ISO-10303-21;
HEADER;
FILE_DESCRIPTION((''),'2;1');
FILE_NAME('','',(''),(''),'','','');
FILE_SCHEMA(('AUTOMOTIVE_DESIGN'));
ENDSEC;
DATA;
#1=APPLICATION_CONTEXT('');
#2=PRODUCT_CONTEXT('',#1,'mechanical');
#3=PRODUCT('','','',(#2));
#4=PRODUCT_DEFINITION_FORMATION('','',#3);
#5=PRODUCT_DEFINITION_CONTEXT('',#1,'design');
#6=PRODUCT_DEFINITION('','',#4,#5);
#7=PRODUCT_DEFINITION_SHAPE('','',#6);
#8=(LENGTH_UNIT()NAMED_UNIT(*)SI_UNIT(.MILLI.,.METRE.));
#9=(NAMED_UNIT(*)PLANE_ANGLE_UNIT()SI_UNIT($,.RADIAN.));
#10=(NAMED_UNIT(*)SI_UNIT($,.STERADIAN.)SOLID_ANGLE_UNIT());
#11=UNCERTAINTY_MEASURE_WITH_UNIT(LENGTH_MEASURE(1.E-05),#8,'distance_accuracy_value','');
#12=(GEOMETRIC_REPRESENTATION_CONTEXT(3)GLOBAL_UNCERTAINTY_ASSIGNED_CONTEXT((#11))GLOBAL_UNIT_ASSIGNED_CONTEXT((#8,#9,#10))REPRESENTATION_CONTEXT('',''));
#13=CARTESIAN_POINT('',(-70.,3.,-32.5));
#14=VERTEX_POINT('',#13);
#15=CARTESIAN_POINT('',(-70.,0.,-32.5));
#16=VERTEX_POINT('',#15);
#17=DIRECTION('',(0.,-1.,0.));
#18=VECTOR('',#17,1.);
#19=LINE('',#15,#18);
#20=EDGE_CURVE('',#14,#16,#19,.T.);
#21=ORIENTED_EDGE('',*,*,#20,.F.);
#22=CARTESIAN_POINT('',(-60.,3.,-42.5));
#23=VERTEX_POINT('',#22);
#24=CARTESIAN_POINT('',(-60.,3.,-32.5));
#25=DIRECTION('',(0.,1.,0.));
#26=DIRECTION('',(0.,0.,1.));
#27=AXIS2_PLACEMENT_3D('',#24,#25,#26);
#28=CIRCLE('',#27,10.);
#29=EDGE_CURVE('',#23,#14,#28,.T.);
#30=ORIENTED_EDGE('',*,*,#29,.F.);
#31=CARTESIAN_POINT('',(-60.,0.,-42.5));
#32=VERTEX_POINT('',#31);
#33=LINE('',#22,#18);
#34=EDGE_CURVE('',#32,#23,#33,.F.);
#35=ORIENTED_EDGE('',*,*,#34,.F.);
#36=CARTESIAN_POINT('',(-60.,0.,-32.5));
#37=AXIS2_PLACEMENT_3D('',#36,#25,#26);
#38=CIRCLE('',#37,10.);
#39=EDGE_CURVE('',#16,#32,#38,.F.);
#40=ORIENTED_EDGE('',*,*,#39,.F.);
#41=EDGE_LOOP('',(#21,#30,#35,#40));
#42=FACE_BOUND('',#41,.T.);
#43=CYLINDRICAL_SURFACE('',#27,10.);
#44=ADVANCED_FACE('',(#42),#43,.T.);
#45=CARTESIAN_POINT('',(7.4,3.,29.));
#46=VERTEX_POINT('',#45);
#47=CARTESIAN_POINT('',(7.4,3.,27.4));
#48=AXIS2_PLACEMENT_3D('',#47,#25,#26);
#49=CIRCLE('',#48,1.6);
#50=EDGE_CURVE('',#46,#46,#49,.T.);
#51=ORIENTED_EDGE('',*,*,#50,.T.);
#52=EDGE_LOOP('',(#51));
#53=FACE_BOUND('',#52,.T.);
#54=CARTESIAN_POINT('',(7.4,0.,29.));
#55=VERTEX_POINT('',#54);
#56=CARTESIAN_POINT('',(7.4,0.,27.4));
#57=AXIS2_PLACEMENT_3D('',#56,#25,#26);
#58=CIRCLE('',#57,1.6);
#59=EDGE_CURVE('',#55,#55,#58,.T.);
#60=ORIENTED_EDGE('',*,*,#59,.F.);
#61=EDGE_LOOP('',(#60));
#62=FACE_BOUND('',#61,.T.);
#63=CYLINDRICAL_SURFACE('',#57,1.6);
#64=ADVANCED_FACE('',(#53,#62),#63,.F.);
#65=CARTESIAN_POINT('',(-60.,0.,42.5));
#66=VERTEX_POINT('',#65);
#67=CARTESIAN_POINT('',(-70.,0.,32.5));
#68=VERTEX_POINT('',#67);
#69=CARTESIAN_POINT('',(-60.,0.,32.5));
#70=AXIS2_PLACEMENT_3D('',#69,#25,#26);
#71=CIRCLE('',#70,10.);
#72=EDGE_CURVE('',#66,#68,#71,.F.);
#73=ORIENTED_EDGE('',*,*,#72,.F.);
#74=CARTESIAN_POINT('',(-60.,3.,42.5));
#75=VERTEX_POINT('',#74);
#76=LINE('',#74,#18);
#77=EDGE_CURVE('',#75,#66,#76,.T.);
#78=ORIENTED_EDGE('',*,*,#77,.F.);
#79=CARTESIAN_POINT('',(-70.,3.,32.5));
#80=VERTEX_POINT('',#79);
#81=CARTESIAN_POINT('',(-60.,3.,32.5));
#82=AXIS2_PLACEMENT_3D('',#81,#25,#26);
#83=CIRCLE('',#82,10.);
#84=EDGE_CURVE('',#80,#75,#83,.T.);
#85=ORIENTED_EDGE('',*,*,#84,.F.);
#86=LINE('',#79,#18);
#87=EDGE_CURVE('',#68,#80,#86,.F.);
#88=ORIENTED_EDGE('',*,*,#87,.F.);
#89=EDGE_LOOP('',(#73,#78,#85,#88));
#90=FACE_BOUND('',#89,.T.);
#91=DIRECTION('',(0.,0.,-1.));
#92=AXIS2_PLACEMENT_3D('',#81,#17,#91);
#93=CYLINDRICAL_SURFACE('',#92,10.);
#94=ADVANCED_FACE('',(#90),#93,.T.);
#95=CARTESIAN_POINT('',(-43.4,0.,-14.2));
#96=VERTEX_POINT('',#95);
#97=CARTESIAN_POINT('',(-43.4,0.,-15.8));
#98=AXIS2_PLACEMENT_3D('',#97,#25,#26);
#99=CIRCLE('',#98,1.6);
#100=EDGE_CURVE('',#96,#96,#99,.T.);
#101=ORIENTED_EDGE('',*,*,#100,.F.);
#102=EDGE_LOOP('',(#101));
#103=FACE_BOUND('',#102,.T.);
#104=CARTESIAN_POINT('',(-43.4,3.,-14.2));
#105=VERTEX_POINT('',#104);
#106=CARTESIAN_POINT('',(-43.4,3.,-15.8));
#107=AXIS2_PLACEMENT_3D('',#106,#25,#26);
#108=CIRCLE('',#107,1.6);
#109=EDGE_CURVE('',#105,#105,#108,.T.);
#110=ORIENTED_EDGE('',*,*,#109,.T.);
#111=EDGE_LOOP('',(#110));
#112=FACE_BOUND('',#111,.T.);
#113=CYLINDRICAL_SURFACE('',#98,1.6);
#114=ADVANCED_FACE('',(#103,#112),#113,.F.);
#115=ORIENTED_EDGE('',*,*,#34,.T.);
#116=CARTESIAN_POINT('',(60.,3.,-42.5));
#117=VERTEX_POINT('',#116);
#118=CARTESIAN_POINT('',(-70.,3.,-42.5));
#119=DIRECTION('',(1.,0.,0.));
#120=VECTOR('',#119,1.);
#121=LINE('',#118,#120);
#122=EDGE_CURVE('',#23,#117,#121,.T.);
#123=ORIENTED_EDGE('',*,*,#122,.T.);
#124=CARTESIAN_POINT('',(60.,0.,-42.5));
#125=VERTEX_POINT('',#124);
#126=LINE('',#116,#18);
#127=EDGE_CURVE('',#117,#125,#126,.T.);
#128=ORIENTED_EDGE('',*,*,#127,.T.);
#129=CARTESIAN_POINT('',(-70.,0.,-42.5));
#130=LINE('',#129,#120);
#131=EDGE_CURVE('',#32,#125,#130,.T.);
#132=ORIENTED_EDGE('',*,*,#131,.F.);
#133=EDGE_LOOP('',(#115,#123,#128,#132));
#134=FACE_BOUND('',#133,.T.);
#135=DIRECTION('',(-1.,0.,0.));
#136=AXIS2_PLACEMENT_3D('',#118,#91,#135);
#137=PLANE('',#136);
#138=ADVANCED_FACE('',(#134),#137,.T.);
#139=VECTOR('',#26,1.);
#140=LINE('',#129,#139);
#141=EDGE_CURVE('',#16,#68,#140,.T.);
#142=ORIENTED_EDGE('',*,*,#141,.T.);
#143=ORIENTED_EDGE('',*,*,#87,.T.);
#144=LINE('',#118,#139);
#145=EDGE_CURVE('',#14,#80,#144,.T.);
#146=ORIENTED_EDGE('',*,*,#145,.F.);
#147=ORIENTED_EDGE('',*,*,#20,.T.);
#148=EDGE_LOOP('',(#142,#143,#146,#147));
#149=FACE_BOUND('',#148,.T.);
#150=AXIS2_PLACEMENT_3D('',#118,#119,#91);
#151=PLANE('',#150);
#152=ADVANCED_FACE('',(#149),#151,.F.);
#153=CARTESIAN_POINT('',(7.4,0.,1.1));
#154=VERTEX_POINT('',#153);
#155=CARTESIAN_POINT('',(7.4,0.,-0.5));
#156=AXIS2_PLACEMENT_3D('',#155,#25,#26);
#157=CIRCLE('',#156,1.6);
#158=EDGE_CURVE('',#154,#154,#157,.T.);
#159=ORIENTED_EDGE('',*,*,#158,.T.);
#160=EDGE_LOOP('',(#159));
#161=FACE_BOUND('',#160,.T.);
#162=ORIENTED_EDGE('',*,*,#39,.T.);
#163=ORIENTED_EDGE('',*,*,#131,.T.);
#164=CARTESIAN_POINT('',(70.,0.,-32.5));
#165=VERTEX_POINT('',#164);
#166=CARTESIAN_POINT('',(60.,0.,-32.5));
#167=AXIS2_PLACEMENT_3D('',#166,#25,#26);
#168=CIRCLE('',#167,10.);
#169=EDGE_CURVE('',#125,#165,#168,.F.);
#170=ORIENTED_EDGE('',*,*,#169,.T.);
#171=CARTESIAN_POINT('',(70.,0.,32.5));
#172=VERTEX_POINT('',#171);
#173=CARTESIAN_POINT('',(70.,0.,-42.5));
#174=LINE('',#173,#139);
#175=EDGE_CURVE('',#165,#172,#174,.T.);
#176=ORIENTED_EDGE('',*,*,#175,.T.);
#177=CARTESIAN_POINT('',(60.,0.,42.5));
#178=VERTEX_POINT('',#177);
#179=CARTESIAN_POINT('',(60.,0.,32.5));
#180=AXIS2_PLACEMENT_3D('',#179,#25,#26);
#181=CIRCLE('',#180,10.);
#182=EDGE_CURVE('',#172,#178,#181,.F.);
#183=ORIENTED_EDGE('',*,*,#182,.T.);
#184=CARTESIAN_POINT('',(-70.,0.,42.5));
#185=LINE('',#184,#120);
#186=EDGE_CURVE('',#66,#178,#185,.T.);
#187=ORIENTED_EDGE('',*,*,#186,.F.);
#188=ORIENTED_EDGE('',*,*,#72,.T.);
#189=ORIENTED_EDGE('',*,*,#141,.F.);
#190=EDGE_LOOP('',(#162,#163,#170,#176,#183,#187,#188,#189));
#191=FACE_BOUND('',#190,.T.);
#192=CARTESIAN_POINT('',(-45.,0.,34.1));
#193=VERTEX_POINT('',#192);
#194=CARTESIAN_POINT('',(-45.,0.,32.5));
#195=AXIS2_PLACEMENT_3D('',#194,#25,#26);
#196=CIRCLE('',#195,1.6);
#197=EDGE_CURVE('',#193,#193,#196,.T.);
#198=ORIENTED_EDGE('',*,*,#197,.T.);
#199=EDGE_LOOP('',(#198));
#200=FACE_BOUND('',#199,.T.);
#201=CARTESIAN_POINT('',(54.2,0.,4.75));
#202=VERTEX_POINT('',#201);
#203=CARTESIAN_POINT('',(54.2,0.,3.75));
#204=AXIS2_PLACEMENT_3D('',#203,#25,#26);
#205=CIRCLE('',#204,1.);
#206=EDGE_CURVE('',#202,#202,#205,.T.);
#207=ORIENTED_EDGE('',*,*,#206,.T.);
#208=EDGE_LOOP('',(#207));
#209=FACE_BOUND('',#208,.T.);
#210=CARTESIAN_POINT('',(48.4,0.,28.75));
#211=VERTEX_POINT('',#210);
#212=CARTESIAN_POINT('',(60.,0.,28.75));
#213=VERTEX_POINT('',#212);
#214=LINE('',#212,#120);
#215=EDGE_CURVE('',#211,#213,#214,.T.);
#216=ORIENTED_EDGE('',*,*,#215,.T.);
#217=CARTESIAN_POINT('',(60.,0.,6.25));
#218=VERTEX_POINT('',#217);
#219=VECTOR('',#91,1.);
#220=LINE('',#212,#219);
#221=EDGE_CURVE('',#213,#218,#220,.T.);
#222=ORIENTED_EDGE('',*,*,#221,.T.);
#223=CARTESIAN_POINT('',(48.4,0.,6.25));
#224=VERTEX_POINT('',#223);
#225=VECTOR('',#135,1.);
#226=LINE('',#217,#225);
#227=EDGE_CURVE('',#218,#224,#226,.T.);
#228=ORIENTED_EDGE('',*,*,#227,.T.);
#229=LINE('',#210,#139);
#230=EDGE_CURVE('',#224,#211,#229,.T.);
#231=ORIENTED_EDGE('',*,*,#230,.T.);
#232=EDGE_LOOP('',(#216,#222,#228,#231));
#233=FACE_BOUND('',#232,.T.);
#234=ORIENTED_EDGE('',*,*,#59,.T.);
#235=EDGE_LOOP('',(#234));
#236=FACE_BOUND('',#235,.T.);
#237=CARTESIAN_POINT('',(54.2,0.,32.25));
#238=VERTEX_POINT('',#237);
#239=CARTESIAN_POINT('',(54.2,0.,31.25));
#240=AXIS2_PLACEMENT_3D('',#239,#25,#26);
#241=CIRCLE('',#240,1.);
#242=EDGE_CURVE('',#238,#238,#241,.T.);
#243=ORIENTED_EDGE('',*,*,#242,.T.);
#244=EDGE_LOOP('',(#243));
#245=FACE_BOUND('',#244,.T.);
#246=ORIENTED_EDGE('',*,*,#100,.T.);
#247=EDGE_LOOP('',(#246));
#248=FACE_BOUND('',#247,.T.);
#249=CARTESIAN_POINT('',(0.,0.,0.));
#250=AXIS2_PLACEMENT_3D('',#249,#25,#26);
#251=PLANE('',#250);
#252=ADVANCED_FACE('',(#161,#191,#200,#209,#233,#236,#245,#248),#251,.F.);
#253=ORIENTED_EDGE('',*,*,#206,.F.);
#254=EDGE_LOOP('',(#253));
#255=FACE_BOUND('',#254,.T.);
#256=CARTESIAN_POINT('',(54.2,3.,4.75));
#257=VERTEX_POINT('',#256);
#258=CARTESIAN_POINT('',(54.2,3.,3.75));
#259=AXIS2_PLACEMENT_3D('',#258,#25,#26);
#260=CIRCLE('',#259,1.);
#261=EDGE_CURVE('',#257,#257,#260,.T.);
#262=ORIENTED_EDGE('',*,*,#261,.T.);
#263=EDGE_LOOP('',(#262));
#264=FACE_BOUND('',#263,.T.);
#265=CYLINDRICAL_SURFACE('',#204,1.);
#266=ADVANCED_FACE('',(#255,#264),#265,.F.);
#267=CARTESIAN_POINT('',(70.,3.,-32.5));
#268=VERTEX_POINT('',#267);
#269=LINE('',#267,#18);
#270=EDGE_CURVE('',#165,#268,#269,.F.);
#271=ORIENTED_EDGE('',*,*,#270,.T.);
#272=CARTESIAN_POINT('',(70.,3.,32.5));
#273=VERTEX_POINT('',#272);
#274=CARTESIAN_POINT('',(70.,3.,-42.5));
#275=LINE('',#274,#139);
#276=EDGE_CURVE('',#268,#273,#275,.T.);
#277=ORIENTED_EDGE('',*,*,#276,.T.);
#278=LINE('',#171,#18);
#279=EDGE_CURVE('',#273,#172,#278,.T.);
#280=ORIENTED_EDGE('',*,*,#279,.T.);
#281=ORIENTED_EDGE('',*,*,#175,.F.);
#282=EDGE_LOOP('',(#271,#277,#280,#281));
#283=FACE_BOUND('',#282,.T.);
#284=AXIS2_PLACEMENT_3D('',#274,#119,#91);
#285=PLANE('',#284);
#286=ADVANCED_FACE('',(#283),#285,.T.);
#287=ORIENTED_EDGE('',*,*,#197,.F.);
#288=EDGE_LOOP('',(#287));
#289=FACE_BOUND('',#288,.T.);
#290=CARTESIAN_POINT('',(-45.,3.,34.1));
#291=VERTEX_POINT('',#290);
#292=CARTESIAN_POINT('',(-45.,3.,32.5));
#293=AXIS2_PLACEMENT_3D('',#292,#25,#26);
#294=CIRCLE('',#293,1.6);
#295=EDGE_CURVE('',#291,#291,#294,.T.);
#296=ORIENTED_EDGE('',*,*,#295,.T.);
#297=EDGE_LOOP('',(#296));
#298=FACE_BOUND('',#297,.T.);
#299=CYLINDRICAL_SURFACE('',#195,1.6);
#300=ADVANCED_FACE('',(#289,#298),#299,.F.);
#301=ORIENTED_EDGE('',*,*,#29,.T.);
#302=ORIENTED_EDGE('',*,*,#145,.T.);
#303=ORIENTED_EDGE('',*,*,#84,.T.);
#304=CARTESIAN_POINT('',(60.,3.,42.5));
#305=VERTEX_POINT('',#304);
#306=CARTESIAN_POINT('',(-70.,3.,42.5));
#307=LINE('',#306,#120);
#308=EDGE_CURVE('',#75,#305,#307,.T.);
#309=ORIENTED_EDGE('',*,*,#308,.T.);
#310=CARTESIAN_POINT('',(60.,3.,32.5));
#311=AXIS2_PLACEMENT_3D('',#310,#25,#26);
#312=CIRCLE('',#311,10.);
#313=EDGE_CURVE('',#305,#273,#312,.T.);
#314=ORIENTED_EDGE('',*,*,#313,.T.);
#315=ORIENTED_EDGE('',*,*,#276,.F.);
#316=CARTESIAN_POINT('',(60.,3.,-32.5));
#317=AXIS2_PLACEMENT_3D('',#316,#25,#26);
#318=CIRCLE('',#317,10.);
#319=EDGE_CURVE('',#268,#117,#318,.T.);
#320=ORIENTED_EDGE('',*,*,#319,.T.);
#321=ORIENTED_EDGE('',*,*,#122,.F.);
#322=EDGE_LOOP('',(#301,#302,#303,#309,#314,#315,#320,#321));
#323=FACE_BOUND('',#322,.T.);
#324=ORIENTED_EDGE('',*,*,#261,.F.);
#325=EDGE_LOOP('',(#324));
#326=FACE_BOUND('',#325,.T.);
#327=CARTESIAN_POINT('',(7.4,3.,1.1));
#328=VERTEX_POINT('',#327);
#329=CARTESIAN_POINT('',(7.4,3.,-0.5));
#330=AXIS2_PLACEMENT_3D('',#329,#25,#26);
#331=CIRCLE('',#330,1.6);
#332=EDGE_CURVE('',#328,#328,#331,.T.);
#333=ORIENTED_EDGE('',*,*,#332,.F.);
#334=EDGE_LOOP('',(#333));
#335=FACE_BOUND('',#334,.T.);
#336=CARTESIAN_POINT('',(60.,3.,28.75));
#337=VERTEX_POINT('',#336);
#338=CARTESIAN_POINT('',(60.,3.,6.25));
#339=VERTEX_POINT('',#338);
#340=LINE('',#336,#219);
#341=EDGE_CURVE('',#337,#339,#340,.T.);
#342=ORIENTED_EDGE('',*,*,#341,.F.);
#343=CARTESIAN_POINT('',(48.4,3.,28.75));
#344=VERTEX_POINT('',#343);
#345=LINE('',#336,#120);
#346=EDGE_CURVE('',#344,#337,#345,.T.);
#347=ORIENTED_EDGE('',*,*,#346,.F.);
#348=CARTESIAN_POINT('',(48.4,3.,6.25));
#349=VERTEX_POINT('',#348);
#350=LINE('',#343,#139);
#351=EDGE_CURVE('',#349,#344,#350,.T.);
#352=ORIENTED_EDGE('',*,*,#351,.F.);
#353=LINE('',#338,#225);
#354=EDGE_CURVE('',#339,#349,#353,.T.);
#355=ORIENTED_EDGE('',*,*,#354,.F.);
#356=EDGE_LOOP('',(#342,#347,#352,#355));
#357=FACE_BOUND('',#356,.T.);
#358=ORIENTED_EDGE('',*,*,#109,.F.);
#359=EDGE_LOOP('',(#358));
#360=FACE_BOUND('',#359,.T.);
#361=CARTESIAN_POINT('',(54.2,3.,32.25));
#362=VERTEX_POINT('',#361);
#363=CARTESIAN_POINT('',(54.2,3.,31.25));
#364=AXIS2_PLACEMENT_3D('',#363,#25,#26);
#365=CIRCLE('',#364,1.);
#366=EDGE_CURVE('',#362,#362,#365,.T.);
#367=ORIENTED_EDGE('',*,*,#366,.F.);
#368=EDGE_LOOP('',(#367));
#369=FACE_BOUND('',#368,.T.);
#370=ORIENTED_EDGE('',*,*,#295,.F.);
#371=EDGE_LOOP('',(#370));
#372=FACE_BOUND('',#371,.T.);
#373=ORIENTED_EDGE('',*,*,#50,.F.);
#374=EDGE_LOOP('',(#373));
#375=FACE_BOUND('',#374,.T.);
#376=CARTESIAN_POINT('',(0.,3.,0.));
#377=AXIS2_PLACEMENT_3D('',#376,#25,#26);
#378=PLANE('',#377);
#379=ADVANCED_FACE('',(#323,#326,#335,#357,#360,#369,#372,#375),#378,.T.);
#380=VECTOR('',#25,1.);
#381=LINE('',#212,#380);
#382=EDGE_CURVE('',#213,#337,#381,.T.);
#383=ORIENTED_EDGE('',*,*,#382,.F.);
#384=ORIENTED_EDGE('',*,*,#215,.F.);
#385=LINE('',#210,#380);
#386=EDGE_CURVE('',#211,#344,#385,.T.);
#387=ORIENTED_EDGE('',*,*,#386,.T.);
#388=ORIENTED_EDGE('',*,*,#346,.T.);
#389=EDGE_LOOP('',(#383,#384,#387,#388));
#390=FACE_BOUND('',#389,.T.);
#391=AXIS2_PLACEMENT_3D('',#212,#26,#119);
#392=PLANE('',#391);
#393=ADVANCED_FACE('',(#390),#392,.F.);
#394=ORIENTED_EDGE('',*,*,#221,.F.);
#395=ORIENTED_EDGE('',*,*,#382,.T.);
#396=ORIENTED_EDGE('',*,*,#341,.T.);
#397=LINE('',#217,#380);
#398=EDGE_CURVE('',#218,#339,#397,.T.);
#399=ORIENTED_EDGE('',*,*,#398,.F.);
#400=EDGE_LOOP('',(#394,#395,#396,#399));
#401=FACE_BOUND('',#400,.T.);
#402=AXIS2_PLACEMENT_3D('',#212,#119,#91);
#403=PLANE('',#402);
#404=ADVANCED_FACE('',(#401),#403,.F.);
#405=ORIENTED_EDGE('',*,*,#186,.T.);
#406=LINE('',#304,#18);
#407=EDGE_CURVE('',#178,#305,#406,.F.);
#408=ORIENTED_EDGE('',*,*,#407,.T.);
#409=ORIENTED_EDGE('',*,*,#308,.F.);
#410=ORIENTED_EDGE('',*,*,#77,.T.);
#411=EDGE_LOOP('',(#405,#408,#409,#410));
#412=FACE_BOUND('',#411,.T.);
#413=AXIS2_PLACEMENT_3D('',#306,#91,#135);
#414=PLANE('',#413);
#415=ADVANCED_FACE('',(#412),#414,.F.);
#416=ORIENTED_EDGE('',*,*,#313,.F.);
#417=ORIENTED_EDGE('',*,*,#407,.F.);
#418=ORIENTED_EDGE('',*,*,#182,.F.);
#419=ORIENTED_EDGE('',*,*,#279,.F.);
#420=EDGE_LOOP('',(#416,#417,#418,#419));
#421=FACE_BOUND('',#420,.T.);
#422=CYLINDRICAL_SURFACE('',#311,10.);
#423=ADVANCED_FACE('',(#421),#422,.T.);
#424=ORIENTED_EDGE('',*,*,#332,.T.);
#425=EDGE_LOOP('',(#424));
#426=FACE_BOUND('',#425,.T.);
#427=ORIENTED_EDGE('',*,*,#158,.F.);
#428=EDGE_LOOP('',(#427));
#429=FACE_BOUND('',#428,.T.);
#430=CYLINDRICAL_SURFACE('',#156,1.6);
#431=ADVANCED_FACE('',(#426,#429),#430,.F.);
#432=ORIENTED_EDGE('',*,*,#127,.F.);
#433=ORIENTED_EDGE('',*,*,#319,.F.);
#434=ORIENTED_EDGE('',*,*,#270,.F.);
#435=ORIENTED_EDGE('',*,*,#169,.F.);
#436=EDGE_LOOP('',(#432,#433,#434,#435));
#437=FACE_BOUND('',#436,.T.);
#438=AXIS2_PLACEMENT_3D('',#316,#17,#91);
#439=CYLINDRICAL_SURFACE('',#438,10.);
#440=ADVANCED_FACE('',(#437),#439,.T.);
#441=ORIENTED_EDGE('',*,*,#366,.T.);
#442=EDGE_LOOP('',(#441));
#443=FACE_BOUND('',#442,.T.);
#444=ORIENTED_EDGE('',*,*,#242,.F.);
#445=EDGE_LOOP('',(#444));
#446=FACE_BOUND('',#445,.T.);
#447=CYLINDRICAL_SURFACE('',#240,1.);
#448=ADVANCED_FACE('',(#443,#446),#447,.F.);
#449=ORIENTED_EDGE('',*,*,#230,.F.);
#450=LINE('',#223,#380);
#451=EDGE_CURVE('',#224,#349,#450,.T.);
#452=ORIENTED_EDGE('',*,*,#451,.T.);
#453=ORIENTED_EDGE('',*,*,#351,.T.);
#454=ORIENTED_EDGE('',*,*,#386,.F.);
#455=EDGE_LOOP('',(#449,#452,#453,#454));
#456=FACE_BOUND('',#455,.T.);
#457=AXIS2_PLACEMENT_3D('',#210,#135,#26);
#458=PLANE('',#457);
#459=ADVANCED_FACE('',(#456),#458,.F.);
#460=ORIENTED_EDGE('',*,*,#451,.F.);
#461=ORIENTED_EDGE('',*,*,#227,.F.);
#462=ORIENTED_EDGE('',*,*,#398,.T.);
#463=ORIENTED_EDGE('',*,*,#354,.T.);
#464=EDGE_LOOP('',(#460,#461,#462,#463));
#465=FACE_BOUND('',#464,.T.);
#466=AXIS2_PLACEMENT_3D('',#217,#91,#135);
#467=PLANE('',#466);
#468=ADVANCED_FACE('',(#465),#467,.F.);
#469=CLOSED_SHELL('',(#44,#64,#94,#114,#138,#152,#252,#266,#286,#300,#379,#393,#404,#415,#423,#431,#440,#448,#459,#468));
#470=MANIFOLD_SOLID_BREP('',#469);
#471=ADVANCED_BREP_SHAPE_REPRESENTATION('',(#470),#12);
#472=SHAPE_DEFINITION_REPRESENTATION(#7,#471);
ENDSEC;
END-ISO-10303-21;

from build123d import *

# Parameters (mm, degrees)
SKETCH3_W           = 140
SKETCH3_H           = 85
BOSS_EXTRUDE1_DEPTH = 3
SKETCH4_R           = 1.6
CUT_EXTRUDE1_DEPTH  = 3
FILLET1_R           = 10
FILLET2_R           = 10
FILLET3_R           = 10
FILLET4_R           = 10
SKETCH7_R           = 1
SKETCH7_W           = 11.6
SKETCH7_H           = 22.5
CUT_EXTRUDE4_DEPTH  = 3


with BuildPart() as part:
    # Sketch3 → Boss-Extrude1 (new body)
    with BuildSketch(Plane(origin=(0, 0, 0), x_dir=(1, 0, 0), z_dir=(0, 1, 0))):
        Rectangle(SKETCH3_W, SKETCH3_H)
    extrude(amount=BOSS_EXTRUDE1_DEPTH)

    # Sketch4 → Cut-Extrude1 (cut)
    with BuildSketch(Plane(origin=(0, 3, 0), x_dir=(1, 0, 0), z_dir=(0, 1, 0))):
        with Locations((-43.4, 15.8)):
            Circle(SKETCH4_R)
        with Locations((7.4, 0.5)):
            Circle(SKETCH4_R)
        with Locations((-45, -32.5)):
            Circle(SKETCH4_R)
        with Locations((7.4, -27.4)):
            Circle(SKETCH4_R)
    extrude(amount=-CUT_EXTRUDE1_DEPTH, mode=Mode.SUBTRACT)

    # Fillet1
    fillet1_edges = [part.edges().sort_by_distance(p)[0] for p in [
        (-70, 1.5, 42.5),
    ]]
    fillet(fillet1_edges, radius=FILLET1_R)

    # Fillet2
    fillet2_edges = [part.edges().sort_by_distance(p)[0] for p in [
        (-70, 1.5, -42.5),
    ]]
    fillet(fillet2_edges, radius=FILLET2_R)

    # Fillet3
    fillet3_edges = [part.edges().sort_by_distance(p)[0] for p in [
        (70, 1.5, -42.5),
    ]]
    fillet(fillet3_edges, radius=FILLET3_R)

    # Fillet4
    fillet4_edges = [part.edges().sort_by_distance(p)[0] for p in [
        (70, 1.5, 42.5),
    ]]
    fillet(fillet4_edges, radius=FILLET4_R)

    # Sketch7 → Cut-Extrude4 (cut)
    with BuildSketch(Plane(origin=(0, 3, 0), x_dir=(1, 0, 0), z_dir=(0, 1, 0))):
        with Locations((54.2, -31.25)):
            Circle(SKETCH7_R)
        with Locations((54.2, -3.75)):
            Circle(SKETCH7_R)
        with Locations((54.2, -17.5)):
            Rectangle(SKETCH7_W, SKETCH7_H)
    extrude(amount=-CUT_EXTRUDE4_DEPTH, mode=Mode.SUBTRACT)


solid = part.part
